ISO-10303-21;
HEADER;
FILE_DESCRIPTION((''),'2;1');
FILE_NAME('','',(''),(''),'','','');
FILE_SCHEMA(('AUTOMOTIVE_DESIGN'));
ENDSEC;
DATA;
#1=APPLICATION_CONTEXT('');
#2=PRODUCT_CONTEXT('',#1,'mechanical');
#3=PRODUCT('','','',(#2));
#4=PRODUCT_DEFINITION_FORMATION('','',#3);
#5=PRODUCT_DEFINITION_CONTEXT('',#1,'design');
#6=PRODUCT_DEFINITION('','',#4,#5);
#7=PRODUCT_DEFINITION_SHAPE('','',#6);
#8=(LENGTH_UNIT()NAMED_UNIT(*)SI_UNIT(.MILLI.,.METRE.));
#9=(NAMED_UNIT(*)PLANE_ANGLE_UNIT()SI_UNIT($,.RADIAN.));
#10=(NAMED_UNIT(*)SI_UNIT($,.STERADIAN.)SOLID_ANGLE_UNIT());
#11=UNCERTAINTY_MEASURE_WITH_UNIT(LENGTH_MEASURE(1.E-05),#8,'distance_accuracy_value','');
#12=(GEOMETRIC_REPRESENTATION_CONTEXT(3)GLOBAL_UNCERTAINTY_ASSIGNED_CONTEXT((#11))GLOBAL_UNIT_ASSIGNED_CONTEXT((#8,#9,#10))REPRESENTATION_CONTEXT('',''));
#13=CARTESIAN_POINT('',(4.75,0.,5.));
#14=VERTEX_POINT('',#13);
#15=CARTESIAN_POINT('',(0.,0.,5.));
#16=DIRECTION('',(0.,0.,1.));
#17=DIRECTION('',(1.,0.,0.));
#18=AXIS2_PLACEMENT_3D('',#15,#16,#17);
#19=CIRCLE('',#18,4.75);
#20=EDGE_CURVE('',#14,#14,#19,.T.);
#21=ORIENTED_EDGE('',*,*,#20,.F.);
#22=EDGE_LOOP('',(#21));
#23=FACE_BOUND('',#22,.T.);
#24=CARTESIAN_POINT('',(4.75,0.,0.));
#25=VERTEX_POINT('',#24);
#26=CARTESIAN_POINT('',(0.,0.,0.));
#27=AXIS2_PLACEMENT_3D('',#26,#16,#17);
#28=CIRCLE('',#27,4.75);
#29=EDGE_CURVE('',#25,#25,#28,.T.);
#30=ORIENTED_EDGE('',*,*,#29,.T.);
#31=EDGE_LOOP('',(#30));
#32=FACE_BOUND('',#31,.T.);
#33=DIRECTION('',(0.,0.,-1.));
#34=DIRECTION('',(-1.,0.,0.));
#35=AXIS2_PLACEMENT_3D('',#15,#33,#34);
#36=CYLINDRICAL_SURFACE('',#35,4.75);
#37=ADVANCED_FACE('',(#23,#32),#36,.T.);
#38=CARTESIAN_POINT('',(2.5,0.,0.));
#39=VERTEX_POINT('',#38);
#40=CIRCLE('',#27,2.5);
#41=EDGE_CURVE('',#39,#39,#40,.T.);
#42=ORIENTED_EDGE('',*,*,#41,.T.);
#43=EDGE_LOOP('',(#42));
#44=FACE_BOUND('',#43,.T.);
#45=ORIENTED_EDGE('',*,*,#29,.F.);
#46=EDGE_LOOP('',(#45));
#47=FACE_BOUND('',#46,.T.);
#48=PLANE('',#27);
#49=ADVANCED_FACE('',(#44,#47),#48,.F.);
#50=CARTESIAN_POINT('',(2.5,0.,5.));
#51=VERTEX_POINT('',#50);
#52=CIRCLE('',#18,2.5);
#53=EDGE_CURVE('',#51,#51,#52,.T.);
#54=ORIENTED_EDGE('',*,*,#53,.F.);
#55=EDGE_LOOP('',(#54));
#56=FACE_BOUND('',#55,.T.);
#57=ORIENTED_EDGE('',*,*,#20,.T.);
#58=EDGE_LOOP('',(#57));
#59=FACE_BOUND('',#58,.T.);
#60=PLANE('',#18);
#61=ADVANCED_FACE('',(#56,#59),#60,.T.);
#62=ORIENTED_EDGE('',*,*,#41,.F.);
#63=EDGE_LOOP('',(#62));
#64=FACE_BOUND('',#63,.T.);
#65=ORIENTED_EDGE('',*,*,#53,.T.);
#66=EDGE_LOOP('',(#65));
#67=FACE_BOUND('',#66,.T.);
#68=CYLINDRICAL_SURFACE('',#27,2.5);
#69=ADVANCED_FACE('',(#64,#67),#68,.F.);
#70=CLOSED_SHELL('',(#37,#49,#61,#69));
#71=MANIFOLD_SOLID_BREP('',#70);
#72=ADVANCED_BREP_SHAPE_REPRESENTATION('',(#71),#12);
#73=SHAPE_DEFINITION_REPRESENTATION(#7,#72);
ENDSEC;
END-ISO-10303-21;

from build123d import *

# Parameters (mm, degrees)
SKETCH_1_R          = 4.75
SKETCH_1_R_2        = 2.5
EXTRUDE_1_DEPTH     = 5
SKETCH_2_R          = 2.5
CUT_EXTRUDE_1_DEPTH = 5


with BuildPart() as part:
    # 草图1 → 凸台-拉伸1 (new body)
    # profile 1 of 2: a face of its own
    with BuildSketch(Plane.XY):
        Circle(SKETCH_1_R)
        Circle(SKETCH_1_R_2, mode=Mode.SUBTRACT)
    # profile 2 of 2: a face of its own
    with BuildSketch(Plane.XY):
        Circle(SKETCH_1_R_2)
    extrude(amount=EXTRUDE_1_DEPTH)

    # 草图2 → 切除-拉伸1 (cut)
    with BuildSketch(Plane.XY.offset(5)):
        Circle(SKETCH_2_R)
    extrude(amount=-CUT_EXTRUDE_1_DEPTH, mode=Mode.SUBTRACT)


solid = part.part
